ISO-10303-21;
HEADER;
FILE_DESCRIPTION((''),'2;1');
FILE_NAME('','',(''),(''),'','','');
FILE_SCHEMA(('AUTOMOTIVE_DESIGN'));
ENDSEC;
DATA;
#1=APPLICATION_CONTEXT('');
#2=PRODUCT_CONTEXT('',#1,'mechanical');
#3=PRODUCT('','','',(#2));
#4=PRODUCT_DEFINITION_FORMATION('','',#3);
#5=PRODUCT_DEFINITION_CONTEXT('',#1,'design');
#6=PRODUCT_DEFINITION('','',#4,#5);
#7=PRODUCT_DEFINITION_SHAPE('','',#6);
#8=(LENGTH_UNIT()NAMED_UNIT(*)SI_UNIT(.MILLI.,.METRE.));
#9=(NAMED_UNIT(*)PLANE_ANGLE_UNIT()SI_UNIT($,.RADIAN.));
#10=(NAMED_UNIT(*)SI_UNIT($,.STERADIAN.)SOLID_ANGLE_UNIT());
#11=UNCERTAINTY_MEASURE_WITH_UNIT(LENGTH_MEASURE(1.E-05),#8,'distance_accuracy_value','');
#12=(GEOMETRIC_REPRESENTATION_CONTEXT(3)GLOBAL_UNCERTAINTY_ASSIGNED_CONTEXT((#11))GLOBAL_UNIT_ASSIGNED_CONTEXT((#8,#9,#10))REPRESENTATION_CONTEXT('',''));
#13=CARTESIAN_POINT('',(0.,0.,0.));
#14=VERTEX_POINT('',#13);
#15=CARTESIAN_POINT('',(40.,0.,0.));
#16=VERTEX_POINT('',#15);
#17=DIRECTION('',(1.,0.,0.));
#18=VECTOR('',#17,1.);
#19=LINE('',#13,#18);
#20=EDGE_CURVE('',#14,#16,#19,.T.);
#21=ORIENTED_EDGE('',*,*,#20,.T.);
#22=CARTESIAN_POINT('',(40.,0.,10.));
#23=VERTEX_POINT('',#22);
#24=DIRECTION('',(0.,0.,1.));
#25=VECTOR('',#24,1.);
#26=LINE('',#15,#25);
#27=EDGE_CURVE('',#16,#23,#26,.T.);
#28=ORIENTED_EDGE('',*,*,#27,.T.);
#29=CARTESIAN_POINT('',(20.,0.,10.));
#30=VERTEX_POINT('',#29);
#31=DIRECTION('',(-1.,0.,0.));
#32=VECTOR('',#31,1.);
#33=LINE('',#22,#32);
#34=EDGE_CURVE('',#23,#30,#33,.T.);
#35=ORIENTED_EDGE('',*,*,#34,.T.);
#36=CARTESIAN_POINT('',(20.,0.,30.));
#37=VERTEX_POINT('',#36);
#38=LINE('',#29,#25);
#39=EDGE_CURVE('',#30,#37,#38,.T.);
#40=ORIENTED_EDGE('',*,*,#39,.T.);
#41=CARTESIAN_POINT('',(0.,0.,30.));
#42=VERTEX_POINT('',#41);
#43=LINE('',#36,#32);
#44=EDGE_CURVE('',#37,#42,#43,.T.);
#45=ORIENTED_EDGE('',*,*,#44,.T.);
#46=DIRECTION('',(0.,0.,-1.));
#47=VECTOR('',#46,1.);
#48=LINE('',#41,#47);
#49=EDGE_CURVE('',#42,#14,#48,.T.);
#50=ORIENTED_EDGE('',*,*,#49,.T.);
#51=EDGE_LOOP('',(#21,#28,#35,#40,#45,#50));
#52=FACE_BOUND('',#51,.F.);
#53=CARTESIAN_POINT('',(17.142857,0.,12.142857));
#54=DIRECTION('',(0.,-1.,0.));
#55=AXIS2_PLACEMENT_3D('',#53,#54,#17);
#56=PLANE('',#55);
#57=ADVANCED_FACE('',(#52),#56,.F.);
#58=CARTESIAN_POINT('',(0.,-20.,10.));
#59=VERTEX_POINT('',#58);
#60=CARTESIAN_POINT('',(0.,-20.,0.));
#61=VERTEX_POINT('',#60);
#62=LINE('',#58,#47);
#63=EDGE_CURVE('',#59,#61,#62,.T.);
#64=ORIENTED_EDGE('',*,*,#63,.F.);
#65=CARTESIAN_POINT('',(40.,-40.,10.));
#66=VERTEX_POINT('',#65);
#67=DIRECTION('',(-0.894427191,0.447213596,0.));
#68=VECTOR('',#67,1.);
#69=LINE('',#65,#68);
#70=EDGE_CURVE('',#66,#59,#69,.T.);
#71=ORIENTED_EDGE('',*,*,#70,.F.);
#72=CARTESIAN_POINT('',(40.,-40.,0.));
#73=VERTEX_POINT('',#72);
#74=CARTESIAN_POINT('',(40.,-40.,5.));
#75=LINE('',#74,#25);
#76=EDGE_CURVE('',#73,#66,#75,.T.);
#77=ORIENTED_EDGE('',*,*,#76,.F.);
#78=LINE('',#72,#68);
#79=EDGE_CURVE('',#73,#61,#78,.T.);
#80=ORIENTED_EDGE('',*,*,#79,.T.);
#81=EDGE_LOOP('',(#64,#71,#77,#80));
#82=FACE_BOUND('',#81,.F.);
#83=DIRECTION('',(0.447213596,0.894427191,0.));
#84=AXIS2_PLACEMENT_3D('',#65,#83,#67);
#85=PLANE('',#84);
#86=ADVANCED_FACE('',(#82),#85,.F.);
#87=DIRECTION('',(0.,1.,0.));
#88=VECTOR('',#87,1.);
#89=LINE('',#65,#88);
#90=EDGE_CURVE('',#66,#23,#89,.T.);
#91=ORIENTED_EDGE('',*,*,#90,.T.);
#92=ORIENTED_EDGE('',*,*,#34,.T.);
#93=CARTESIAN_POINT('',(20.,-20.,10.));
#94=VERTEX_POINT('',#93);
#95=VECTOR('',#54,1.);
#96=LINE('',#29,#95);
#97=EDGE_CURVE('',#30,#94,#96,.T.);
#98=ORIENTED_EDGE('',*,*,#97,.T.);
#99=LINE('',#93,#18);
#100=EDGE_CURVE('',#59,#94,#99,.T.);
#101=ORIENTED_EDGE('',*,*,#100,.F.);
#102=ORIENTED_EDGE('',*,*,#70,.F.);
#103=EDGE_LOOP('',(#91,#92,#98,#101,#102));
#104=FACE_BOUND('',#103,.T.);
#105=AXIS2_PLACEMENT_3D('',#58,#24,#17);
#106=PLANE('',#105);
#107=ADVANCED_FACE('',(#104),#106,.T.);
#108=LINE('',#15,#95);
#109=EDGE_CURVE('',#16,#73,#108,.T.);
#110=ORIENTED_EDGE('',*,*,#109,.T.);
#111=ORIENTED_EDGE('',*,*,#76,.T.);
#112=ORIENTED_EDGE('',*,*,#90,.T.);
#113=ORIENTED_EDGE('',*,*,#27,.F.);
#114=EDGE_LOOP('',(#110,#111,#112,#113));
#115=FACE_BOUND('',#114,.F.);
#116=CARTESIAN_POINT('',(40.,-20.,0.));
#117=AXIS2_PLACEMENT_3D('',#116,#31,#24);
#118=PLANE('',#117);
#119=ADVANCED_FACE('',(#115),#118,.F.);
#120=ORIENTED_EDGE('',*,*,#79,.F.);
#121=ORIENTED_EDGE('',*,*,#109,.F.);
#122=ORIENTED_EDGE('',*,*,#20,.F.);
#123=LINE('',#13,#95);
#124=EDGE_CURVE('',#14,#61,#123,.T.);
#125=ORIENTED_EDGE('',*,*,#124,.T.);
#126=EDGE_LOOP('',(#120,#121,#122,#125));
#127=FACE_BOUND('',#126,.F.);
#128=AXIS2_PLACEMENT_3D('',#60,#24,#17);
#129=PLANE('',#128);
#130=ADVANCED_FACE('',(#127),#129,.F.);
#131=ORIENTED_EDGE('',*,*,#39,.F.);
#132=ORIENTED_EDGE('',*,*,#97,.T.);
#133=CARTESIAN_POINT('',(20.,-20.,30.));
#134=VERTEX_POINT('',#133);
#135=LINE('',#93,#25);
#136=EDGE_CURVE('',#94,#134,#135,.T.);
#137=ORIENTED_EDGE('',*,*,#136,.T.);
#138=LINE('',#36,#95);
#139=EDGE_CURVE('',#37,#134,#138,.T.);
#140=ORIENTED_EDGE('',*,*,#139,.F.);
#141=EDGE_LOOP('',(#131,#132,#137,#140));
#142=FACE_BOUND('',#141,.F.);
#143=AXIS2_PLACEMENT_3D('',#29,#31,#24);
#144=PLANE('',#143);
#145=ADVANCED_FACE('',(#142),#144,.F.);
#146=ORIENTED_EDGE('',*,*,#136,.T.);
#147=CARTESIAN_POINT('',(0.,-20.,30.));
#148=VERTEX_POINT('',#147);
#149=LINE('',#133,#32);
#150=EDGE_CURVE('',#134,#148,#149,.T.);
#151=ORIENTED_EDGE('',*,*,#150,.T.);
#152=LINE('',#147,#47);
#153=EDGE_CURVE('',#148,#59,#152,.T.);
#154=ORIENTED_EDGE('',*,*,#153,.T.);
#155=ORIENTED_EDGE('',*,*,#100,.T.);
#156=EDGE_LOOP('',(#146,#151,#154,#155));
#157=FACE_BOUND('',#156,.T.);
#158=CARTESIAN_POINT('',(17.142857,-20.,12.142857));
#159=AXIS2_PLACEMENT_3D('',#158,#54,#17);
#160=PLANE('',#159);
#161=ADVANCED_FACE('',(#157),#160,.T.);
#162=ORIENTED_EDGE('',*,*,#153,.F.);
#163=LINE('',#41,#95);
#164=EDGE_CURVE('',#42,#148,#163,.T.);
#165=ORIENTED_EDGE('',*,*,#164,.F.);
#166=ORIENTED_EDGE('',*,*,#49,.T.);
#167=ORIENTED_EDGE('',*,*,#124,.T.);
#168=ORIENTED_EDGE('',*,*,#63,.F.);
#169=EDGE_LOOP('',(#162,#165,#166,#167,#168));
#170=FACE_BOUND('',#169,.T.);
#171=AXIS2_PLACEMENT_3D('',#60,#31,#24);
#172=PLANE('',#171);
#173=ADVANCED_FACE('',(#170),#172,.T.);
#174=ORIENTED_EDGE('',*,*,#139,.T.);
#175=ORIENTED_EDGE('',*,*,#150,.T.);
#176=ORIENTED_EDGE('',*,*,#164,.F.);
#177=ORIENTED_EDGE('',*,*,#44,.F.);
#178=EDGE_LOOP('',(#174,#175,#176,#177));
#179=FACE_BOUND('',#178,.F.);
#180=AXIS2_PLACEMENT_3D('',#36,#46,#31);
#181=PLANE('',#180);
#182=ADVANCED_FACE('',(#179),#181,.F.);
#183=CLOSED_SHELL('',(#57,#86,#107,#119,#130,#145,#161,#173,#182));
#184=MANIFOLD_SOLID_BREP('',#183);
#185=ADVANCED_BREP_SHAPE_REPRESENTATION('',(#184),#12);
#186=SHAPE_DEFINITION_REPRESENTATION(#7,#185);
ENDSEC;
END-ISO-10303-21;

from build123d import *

# Parameters (mm, degrees)
F1_DEPTH = 20
F2_W     = 40
F2_H     = 10
F3_DEPTH = 20
F5_DEPTH = 10


with BuildPart() as f1:
    # F0 (on Front) → F1 (new body)
    with BuildSketch(Plane.XZ):
        Polygon((0, 30), (0, 0), (40, 0), (40, 10), (20, 10), (20, 30), align=None)
    extrude(amount=F1_DEPTH)

    # F2 (on face) → F3 (join)
    with BuildSketch(Plane.XZ.offset(20)):
        with Locations((20, 5)):
            Rectangle(F2_W, F2_H)
    extrude(amount=F3_DEPTH)

    # F4 (on face) → F5 (cut)
    with BuildSketch(Plane.XY.offset(10)):
        Polygon((40, -40), (0, -20), (0, -40), align=None)
    extrude(amount=-F5_DEPTH, mode=Mode.SUBTRACT)


solid = f1.part
